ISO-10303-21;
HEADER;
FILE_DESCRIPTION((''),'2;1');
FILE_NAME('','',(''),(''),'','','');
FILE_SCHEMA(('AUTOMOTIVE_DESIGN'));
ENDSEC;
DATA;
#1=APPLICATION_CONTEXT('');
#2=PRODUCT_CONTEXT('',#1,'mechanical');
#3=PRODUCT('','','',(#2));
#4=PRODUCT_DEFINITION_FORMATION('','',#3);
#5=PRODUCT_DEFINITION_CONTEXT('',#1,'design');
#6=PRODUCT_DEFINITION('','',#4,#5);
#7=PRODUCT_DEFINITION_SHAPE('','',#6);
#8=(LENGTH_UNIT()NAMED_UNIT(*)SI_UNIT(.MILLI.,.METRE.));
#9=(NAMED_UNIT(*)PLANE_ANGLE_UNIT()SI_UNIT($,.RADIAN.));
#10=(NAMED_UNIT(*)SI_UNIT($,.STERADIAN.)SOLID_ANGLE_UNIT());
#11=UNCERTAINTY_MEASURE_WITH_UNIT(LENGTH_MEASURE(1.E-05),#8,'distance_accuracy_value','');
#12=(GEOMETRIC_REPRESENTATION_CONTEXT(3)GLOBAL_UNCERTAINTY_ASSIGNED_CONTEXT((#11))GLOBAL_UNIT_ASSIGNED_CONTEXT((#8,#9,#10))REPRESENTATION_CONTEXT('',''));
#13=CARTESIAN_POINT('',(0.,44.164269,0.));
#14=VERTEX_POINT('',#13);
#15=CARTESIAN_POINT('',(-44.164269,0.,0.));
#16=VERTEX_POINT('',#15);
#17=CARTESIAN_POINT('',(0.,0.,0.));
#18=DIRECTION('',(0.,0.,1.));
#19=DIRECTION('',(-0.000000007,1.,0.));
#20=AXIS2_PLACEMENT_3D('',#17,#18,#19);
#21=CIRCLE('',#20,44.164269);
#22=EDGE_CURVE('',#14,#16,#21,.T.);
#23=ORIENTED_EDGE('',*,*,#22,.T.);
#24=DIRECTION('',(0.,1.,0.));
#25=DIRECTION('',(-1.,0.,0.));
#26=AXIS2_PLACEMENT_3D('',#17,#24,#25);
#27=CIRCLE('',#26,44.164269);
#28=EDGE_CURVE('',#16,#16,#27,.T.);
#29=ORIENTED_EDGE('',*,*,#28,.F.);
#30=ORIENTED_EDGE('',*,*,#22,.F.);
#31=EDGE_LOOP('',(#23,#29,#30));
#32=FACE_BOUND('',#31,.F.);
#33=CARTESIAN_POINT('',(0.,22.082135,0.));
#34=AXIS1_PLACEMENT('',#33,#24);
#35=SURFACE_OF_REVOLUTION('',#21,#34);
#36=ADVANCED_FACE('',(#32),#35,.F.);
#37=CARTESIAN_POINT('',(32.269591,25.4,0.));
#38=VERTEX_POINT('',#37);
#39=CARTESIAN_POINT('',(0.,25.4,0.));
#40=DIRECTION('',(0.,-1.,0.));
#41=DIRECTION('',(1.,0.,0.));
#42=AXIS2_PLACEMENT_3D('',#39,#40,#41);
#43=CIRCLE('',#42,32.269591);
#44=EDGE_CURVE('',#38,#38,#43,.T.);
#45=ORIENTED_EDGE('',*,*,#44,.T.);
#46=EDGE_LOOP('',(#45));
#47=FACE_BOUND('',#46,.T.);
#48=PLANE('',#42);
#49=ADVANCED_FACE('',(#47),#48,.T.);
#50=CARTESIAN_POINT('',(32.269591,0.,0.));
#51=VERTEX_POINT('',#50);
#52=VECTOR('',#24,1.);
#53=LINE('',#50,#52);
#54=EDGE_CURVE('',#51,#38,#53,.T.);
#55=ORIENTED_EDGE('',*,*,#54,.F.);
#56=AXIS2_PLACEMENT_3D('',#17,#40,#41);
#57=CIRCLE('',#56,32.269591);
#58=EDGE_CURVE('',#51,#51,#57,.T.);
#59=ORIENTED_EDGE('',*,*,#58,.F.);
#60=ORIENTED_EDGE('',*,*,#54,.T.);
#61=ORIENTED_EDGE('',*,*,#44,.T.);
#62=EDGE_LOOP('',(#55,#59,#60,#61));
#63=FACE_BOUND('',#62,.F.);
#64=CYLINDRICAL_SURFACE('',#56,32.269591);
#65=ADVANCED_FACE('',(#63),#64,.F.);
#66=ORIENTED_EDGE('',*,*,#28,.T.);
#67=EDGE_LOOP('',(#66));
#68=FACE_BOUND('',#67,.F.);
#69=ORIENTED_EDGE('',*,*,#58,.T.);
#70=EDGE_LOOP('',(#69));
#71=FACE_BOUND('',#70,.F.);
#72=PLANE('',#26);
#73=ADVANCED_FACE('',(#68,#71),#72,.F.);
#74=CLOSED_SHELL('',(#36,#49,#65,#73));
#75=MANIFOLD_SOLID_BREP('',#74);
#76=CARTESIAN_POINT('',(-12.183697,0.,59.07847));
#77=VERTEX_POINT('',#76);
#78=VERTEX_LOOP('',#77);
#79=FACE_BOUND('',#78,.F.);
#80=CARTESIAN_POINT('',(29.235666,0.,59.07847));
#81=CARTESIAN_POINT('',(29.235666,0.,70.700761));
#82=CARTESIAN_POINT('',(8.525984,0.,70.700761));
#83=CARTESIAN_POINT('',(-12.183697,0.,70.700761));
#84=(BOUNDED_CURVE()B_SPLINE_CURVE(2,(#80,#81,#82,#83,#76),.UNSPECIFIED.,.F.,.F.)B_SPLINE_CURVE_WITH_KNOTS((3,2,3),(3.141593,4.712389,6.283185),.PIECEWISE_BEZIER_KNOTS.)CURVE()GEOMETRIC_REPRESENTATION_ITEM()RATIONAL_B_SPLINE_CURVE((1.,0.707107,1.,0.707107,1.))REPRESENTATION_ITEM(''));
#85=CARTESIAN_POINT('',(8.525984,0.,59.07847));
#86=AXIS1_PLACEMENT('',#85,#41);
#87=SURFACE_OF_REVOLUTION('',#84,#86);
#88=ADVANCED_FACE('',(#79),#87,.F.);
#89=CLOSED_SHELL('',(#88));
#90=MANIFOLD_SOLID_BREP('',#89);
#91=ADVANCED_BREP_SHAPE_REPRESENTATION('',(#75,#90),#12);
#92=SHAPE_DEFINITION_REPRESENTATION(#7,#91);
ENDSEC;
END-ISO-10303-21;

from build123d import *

# Parameters (mm, degrees)
F2_R     = 32.269591
F3_DEPTH = 25.4


with BuildPart() as f1:
    # F0 (on Top) → F1 (revolve)
    with BuildSketch(Plane.XY):
        with BuildLine():
            Line((0, 0), (0, 44.164269))
            ThreePointArc((0, 44.164269), (-31.228854, 31.228854), (-44.164269, 0))
            Line((-44.164269, 0), (0, 0))
        make_face()
    revolve(axis=Axis((0, 22.082135, 0), (0, 1, 0)))

    # F2 (on face) → F3 (cut)
    with BuildSketch(Plane.XZ):
        Circle(F2_R)
    extrude(amount=-F3_DEPTH, mode=Mode.SUBTRACT)


with BuildPart() as f5:
    # F4 (on Front) → F5 (revolve)
    with BuildSketch(Plane.XZ):
        with BuildLine():
            add(Edge.make_bspline(
                [(29.235666, 59.07847), (29.235666, 70.700761), (8.525984, 70.700761), (-12.183697, 70.700761), (-12.183697, 59.07847)],
                knots=[3.141593, 3.141593, 3.141593, 4.712389, 4.712389, 6.283185, 6.283185, 6.283185], degree=2, weights=[1, 0.707107, 1, 0.707107, 1]))
            Line((-12.183697, 59.07847), (29.235666, 59.07847))
        make_face()
    revolve(axis=Axis((8.525984, 0, 59.07847), (1, 0, 0)))


solid = Compound([f1.part, f5.part])
